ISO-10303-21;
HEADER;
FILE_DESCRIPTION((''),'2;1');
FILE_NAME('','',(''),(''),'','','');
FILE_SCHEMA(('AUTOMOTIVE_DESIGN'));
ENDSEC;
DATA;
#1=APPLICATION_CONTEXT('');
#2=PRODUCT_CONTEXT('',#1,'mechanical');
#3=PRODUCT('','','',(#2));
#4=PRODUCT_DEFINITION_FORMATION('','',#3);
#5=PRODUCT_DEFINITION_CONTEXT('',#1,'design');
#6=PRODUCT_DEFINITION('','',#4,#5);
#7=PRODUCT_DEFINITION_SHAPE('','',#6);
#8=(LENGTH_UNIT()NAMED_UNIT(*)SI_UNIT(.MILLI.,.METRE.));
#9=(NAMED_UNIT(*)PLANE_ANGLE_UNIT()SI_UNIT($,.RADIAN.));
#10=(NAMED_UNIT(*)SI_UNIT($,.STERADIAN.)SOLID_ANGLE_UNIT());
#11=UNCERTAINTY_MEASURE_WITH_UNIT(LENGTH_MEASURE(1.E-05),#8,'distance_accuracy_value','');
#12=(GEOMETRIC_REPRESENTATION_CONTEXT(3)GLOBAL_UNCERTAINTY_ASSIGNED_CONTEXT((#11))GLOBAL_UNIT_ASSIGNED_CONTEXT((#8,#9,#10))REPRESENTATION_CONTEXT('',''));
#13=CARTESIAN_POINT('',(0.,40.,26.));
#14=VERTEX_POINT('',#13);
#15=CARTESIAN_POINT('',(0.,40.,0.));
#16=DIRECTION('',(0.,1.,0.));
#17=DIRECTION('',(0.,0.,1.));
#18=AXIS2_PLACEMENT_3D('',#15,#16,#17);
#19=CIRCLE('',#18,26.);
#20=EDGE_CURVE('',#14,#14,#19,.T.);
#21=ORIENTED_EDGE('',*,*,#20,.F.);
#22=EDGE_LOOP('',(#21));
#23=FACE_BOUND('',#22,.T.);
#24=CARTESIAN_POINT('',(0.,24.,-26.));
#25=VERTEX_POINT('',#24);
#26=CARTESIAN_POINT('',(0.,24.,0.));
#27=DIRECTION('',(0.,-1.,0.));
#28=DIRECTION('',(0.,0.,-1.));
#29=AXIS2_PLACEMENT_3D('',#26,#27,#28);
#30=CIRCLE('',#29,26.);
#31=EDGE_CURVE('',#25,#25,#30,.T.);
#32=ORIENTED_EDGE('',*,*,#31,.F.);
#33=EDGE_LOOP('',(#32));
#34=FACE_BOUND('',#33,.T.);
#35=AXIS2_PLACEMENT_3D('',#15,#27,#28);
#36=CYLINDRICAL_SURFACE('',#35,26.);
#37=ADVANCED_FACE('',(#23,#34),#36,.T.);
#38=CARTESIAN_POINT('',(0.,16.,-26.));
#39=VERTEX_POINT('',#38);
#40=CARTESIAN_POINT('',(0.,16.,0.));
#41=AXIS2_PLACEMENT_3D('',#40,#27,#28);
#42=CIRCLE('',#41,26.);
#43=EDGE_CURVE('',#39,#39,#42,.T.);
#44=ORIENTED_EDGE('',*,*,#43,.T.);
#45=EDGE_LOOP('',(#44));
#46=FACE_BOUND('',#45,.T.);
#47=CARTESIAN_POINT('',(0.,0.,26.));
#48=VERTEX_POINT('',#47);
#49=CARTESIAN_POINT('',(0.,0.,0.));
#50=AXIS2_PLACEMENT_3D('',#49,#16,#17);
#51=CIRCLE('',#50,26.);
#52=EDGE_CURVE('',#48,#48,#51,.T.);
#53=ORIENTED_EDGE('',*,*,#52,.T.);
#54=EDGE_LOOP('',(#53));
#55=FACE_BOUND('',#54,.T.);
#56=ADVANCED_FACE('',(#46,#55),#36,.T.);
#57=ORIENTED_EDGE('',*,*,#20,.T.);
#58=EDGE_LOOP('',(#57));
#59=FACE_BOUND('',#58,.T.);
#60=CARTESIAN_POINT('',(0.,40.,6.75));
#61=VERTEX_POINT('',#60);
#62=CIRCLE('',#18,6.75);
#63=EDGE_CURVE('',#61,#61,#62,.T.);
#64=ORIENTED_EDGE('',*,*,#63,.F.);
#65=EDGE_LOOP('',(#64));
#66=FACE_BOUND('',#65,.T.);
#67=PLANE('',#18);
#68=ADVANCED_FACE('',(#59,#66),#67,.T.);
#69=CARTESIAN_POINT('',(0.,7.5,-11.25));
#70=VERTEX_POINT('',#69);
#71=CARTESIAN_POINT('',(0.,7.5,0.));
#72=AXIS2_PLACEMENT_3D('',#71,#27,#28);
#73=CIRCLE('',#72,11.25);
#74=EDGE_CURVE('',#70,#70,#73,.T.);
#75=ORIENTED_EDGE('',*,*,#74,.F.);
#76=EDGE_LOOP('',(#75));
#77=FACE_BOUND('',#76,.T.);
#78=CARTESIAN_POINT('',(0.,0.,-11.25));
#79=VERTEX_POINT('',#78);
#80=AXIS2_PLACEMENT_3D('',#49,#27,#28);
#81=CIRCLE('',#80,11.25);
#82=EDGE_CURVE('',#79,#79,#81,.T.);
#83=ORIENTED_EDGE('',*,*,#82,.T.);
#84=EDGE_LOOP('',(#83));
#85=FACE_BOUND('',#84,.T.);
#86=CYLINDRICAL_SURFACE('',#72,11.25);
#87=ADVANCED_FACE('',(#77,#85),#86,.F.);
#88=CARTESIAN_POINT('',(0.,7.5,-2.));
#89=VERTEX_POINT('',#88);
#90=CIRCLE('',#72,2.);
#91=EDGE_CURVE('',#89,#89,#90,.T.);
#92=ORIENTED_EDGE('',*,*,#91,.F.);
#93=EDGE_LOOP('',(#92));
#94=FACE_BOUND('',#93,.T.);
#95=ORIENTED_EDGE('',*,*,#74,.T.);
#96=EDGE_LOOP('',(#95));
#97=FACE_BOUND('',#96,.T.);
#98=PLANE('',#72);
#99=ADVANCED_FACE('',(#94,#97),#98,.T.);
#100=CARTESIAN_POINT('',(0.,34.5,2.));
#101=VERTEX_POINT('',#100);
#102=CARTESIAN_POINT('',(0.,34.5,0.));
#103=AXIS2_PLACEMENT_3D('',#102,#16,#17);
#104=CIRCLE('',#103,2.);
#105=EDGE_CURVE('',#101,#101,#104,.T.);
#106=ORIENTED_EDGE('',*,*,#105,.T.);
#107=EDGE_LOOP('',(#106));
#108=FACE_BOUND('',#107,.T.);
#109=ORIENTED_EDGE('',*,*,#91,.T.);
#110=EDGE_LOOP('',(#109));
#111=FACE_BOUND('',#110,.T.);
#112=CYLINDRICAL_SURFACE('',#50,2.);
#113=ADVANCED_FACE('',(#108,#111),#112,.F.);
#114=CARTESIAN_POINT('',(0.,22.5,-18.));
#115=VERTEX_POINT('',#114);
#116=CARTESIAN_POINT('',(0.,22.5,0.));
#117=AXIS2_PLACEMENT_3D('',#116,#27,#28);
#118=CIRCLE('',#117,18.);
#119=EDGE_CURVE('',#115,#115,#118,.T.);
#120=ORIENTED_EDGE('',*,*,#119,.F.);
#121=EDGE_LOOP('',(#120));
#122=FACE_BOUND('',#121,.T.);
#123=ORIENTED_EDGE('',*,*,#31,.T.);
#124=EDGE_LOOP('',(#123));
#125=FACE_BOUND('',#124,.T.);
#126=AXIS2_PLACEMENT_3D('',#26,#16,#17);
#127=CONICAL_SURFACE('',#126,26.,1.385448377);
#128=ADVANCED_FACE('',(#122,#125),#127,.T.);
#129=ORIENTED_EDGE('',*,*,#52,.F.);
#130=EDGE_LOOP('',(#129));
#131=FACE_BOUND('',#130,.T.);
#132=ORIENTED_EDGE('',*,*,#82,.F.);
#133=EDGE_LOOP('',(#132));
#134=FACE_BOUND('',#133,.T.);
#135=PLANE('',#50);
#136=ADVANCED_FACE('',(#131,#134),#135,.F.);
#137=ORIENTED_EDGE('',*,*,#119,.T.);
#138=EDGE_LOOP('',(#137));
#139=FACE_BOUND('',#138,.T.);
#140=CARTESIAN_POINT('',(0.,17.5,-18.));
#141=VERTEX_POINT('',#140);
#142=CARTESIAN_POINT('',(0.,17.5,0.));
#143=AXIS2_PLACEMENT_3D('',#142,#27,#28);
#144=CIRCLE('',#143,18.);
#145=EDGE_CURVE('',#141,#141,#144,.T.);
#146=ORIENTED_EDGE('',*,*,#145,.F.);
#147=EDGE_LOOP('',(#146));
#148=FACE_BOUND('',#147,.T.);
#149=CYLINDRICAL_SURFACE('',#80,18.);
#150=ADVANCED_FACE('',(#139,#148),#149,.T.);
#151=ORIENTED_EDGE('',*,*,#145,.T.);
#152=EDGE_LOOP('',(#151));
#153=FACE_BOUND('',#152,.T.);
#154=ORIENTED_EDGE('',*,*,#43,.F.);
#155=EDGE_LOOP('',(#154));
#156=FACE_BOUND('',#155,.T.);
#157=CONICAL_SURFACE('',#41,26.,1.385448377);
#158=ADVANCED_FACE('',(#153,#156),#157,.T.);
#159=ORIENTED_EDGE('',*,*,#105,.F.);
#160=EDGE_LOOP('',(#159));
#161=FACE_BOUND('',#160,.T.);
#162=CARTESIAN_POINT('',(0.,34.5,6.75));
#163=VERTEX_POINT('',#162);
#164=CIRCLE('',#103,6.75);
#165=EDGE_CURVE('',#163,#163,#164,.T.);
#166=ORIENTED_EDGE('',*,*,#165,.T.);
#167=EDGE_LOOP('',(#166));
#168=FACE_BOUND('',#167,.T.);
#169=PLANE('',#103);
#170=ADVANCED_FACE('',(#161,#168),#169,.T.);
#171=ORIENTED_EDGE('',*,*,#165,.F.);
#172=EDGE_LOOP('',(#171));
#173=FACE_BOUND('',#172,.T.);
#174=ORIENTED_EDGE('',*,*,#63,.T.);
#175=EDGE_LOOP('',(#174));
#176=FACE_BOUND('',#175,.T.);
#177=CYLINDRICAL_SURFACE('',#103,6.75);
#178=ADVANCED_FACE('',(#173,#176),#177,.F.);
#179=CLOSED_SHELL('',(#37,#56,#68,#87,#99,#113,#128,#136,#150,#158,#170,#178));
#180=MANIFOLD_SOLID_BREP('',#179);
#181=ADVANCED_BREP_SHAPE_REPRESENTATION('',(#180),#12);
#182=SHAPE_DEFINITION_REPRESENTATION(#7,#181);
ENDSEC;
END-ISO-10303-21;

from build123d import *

# Parameters (mm, degrees)
SKETCH1_R                = 26
BOSS_EXTRUDE1_DEPTH      = 40
SKETCH2_R                = 11.25
F_608_BEARING_HOLE_DEPTH = 7.5
SKETCH3_R                = 6.75
F_624_BEARING_HOLE_DEPTH = 5.5
SKETCH4_R                = 2
CUT_EXTRUDE3_DEPTH       = 55.332310829


with BuildPart() as part:
    # Sketch1 → Boss-Extrude1 (new body)
    with BuildSketch(Plane(origin=(0, 0, 0), x_dir=(1, 0, 0), z_dir=(0, 1, 0))):
        Circle(SKETCH1_R)
    extrude(amount=BOSS_EXTRUDE1_DEPTH)

    # Sketch2 → 608_Bearing_Hole (cut)
    with BuildSketch(Plane.XZ):
        Circle(SKETCH2_R)
    extrude(amount=-F_608_BEARING_HOLE_DEPTH, mode=Mode.SUBTRACT)

    # Sketch3 → 624_Bearing_Hole (cut)
    with BuildSketch(Plane(origin=(0, 40, 0), x_dir=(1, 0, 0), z_dir=(0, 1, 0))):
        Circle(SKETCH3_R)
    extrude(amount=-F_624_BEARING_HOLE_DEPTH, mode=Mode.SUBTRACT)

    # Sketch4 → Cut-Extrude3 (cut, through all)
    with BuildSketch(Plane(origin=(0, 40, 0), x_dir=(1, 0, 0), z_dir=(0, 1, 0))):
        Circle(SKETCH4_R)
    extrude(amount=-CUT_EXTRUDE3_DEPTH, mode=Mode.SUBTRACT)

    # Sketch5 → Cut-Revolve1 (revolve, cut)
    with BuildSketch(Plane(origin=(0, 0, 0), x_dir=(0, 0, -1), z_dir=(1, 0, 0))):
        Polygon((-26, 16), (-18, 17.5), (-18, 22.5), (-26, 24), align=None)
    revolve(axis=Axis((0, 0, 0), (0, 1, 0)), mode=Mode.SUBTRACT)


solid = part.part
